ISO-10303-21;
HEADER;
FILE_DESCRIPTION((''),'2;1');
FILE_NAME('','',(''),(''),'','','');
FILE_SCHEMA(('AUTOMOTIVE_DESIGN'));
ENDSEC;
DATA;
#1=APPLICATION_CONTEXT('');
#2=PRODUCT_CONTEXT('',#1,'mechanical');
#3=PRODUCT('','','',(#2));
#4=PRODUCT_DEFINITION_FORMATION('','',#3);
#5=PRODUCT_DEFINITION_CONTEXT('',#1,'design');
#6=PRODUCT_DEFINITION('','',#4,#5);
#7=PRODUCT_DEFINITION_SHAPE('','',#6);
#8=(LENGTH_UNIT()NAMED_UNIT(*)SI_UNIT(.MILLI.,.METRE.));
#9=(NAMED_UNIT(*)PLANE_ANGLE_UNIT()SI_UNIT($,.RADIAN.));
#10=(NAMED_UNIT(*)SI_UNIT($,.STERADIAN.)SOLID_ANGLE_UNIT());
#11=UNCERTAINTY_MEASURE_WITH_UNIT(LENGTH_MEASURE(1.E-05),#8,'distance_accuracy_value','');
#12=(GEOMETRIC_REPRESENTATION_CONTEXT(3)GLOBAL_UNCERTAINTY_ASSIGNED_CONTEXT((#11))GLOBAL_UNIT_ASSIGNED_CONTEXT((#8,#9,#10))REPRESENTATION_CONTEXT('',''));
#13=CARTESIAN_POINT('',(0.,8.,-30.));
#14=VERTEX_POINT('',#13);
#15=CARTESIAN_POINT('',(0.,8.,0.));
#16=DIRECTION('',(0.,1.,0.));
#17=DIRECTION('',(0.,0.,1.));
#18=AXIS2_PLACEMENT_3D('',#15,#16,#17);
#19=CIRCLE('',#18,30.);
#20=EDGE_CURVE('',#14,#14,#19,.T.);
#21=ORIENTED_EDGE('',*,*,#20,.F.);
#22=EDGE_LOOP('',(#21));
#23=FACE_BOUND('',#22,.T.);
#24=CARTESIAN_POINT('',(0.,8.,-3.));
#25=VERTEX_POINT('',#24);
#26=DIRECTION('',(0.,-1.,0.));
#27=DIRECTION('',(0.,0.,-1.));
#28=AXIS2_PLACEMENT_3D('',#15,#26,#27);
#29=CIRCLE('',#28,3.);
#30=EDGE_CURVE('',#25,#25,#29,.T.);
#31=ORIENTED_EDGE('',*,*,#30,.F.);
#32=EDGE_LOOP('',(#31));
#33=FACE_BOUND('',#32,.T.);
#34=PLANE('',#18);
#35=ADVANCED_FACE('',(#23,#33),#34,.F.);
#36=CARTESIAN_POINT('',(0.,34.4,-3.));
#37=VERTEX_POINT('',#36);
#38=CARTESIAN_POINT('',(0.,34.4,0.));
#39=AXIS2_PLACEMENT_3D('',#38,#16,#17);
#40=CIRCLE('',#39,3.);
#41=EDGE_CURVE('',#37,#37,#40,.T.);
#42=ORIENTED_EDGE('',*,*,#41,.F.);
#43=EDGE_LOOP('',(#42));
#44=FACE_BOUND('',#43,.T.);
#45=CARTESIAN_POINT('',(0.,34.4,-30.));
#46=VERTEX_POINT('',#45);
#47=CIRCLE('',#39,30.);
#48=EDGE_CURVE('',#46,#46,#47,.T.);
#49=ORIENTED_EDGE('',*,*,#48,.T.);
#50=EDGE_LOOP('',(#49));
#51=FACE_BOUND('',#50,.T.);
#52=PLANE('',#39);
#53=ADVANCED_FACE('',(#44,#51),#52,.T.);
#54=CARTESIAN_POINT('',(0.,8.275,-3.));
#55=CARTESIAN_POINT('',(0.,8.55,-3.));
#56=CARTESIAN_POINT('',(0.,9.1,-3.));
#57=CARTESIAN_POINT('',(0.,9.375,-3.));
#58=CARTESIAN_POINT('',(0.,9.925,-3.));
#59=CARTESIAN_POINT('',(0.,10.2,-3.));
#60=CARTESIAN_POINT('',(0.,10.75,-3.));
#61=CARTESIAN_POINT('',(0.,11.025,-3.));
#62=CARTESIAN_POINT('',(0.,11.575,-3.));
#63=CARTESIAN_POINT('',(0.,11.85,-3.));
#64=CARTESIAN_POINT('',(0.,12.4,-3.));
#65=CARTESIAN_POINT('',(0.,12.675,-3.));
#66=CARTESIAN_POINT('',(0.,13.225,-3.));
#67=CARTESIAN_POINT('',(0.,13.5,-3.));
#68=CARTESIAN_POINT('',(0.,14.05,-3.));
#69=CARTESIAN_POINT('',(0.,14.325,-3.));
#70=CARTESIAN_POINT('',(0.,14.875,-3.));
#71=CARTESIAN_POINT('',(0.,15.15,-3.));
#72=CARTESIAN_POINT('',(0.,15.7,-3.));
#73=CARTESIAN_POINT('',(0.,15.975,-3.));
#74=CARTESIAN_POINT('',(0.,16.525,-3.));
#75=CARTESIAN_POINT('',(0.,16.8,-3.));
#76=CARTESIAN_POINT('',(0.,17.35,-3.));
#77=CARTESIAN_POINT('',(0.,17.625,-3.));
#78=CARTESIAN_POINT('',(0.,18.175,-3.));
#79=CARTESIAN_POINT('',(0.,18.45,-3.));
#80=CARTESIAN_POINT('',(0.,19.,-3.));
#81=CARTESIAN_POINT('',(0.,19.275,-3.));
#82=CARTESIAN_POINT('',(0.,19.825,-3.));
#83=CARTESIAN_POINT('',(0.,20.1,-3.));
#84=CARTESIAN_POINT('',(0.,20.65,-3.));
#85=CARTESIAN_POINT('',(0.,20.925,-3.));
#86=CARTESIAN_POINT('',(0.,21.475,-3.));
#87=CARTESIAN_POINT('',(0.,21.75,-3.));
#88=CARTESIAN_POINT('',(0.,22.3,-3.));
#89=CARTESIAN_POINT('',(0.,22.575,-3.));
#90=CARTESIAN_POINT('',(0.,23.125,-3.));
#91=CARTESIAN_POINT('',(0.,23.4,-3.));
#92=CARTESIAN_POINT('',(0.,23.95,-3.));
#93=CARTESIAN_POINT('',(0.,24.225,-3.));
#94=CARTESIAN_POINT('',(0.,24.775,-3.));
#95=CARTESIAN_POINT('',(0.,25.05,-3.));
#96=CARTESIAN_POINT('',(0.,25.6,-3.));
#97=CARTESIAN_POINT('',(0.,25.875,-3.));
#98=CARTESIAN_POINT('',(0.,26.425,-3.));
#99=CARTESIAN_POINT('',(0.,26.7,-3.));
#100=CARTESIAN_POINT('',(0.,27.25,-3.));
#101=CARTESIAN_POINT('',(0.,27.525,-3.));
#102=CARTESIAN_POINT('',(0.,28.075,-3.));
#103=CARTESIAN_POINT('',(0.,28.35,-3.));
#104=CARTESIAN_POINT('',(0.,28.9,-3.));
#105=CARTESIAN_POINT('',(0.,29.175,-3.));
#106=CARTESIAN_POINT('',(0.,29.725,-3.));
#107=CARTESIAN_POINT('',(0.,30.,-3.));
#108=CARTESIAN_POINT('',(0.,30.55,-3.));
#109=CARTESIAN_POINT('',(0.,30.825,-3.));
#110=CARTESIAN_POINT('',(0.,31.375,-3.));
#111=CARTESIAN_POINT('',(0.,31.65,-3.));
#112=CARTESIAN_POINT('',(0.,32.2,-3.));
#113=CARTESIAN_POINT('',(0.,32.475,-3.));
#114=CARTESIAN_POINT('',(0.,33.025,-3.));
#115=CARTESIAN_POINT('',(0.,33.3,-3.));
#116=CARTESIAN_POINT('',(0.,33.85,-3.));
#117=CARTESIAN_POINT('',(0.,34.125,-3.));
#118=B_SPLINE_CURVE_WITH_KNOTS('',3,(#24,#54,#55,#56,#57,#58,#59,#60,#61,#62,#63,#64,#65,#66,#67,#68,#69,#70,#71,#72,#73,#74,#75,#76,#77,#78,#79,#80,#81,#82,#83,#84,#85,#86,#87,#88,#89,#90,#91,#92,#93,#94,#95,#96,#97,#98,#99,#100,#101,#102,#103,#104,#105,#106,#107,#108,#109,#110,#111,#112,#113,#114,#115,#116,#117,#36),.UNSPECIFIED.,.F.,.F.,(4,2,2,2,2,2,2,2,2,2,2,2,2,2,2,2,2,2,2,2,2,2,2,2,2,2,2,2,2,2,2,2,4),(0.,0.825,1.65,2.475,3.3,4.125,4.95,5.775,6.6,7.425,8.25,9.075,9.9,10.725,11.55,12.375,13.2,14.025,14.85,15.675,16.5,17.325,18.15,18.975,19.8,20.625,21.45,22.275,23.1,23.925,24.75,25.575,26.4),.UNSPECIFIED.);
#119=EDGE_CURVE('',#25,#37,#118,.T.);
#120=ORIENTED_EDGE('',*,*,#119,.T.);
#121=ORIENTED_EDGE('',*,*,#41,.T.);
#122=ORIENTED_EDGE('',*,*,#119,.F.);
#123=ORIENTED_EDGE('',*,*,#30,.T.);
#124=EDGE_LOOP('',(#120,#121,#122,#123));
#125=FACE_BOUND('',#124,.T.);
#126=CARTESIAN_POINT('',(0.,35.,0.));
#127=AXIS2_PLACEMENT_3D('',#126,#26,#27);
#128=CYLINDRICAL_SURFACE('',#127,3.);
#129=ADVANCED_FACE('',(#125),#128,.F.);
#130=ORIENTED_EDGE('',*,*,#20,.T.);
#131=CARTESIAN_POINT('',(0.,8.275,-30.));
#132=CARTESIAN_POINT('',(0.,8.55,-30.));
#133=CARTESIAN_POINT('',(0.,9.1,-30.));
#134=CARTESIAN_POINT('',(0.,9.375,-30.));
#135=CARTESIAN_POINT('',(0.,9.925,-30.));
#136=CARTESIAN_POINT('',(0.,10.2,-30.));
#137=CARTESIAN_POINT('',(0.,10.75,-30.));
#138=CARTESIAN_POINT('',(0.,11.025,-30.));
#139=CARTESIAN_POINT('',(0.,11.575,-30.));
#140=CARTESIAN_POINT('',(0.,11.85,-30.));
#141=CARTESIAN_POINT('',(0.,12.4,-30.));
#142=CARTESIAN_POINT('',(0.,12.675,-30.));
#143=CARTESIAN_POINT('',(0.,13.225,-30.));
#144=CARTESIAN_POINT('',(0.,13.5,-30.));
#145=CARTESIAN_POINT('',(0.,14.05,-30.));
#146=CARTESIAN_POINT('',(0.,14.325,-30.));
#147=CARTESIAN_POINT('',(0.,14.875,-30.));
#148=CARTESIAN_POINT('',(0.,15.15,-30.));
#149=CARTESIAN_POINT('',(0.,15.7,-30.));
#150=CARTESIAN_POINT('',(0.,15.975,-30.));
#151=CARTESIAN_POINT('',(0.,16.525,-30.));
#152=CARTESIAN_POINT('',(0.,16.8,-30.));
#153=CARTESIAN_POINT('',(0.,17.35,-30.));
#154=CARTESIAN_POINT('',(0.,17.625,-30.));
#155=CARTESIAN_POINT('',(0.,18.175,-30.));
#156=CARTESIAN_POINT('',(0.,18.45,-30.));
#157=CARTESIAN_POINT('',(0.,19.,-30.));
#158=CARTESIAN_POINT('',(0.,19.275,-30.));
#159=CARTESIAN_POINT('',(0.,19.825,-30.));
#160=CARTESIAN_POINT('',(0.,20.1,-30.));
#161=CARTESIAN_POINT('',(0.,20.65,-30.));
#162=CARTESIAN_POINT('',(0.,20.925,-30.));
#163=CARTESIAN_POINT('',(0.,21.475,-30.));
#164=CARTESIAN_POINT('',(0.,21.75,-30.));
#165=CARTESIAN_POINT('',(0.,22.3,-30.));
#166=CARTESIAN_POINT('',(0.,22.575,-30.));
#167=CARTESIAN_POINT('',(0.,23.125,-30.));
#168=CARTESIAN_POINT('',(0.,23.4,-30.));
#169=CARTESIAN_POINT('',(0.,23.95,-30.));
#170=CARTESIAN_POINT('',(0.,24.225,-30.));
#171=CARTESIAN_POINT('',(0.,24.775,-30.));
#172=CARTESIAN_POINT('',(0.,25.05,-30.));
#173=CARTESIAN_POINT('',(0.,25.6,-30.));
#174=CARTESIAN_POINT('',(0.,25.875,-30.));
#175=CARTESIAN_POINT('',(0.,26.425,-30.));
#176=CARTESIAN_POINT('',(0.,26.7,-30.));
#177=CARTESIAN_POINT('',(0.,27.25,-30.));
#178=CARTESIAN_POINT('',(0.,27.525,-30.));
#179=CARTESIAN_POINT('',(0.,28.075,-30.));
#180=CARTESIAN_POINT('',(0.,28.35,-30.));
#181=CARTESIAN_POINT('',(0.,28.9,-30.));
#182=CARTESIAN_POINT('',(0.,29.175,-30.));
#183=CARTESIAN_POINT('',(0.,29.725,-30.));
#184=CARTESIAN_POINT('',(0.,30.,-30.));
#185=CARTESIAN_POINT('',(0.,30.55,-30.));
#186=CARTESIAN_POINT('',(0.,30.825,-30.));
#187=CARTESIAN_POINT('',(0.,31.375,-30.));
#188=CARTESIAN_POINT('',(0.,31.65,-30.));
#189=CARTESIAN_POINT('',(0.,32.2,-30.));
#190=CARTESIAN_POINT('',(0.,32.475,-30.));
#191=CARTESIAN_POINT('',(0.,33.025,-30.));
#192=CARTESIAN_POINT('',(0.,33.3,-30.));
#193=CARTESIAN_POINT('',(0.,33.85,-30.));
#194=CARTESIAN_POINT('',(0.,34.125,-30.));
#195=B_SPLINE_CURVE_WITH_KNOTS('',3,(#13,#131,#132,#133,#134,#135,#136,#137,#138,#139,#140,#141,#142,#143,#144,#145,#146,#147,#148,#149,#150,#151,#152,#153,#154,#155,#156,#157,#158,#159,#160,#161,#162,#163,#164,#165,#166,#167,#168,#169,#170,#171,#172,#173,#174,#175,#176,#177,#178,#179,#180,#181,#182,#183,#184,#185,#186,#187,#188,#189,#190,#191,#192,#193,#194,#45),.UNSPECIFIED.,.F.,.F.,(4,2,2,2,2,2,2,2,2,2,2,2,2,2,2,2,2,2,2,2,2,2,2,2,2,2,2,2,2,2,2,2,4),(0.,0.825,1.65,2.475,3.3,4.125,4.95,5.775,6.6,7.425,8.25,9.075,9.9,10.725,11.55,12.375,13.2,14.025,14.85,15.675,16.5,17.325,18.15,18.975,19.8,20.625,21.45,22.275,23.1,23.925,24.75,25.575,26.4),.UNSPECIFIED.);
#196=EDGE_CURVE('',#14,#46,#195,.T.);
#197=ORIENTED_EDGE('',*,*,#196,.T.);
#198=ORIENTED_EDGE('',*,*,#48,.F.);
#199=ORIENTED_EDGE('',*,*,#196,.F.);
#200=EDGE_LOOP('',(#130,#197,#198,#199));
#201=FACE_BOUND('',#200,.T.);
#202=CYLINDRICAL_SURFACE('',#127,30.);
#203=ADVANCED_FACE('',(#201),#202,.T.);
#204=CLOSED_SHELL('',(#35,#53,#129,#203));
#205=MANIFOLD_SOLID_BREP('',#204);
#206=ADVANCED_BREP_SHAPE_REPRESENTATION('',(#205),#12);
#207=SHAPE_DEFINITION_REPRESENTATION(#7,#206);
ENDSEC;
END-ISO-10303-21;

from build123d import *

# Parameters (mm, degrees)
SKETCH_1_R          = 50
EXTRUDE_3_DEPTH     = 45
SKETCH_5_R          = 5
CUT_EXTRUDE_1_DEPTH = 84.815273071
CUT_EXTRUDE_START   = -5
SKETCH_6_R          = 50
CUT_EXTRUDE_2_DEPTH = 5
SCALE_3_SCALE       = 0.5
SCALE_4_SCALE       = 1.2
SKETCH_7_R          = 30
SKETCH_7_R_2        = 3
EXTRUDE_4_DEPTH     = 2.4


with BuildPart() as part:
    # 草图1 → 凸台-拉伸3 (new body)
    with BuildSketch(Plane(origin=(0, 0, 0), x_dir=(1, 0, 0), z_dir=(0, 1, 0))):
        with Locations(Location((0, 0, 0), (0, 0, 90))):
            Circle(SKETCH_1_R)
    extrude(amount=EXTRUDE_3_DEPTH)

    # 草图5 → 切除-拉伸1 (cut, through all)
    with BuildSketch(Plane.XZ):
        with Locations(Location((0, 0, 0), (0, 0, 270))):
            Circle(SKETCH_5_R)
    extrude(amount=-CUT_EXTRUDE_1_DEPTH, mode=Mode.SUBTRACT)

    # 草图6 → 切除-拉伸2 (cut)
    with BuildSketch(Plane(origin=(0, 45, 0), x_dir=(1, 0, 0), z_dir=(0, 1, 0)).offset(CUT_EXTRUDE_START)):
        with Locations(Location((0, 0, 0), (0, 0, 90))):
            Circle(SKETCH_6_R)
    extrude(amount=CUT_EXTRUDE_2_DEPTH, mode=Mode.SUBTRACT)


with BuildPart() as part_1:
    # 缩放比例3: scaled about (0, 20, 0)
    add(part.part.scale(SCALE_3_SCALE).moved(Location((0, 10, 0))))


with BuildPart() as part_2:
    # 缩放比例4: scaled about (0, 20, 0)
    add(part_1.part.scale(SCALE_4_SCALE).moved(Location((0, -4, 0))))

    # 草图7 → 凸台-拉伸4 (add)
    with BuildSketch(Plane(origin=(0, 32, 0), x_dir=(1, 0, 0), z_dir=(0, 1, 0))):
        with Locations(Location((0, 0, 0), (0, 0, 90))):
            Circle(SKETCH_7_R)
        with Locations(Location((0, 0, 0), (0, 0, 90))):
            Circle(SKETCH_7_R_2, mode=Mode.SUBTRACT)
    extrude(amount=EXTRUDE_4_DEPTH)


solid = part_2.part
